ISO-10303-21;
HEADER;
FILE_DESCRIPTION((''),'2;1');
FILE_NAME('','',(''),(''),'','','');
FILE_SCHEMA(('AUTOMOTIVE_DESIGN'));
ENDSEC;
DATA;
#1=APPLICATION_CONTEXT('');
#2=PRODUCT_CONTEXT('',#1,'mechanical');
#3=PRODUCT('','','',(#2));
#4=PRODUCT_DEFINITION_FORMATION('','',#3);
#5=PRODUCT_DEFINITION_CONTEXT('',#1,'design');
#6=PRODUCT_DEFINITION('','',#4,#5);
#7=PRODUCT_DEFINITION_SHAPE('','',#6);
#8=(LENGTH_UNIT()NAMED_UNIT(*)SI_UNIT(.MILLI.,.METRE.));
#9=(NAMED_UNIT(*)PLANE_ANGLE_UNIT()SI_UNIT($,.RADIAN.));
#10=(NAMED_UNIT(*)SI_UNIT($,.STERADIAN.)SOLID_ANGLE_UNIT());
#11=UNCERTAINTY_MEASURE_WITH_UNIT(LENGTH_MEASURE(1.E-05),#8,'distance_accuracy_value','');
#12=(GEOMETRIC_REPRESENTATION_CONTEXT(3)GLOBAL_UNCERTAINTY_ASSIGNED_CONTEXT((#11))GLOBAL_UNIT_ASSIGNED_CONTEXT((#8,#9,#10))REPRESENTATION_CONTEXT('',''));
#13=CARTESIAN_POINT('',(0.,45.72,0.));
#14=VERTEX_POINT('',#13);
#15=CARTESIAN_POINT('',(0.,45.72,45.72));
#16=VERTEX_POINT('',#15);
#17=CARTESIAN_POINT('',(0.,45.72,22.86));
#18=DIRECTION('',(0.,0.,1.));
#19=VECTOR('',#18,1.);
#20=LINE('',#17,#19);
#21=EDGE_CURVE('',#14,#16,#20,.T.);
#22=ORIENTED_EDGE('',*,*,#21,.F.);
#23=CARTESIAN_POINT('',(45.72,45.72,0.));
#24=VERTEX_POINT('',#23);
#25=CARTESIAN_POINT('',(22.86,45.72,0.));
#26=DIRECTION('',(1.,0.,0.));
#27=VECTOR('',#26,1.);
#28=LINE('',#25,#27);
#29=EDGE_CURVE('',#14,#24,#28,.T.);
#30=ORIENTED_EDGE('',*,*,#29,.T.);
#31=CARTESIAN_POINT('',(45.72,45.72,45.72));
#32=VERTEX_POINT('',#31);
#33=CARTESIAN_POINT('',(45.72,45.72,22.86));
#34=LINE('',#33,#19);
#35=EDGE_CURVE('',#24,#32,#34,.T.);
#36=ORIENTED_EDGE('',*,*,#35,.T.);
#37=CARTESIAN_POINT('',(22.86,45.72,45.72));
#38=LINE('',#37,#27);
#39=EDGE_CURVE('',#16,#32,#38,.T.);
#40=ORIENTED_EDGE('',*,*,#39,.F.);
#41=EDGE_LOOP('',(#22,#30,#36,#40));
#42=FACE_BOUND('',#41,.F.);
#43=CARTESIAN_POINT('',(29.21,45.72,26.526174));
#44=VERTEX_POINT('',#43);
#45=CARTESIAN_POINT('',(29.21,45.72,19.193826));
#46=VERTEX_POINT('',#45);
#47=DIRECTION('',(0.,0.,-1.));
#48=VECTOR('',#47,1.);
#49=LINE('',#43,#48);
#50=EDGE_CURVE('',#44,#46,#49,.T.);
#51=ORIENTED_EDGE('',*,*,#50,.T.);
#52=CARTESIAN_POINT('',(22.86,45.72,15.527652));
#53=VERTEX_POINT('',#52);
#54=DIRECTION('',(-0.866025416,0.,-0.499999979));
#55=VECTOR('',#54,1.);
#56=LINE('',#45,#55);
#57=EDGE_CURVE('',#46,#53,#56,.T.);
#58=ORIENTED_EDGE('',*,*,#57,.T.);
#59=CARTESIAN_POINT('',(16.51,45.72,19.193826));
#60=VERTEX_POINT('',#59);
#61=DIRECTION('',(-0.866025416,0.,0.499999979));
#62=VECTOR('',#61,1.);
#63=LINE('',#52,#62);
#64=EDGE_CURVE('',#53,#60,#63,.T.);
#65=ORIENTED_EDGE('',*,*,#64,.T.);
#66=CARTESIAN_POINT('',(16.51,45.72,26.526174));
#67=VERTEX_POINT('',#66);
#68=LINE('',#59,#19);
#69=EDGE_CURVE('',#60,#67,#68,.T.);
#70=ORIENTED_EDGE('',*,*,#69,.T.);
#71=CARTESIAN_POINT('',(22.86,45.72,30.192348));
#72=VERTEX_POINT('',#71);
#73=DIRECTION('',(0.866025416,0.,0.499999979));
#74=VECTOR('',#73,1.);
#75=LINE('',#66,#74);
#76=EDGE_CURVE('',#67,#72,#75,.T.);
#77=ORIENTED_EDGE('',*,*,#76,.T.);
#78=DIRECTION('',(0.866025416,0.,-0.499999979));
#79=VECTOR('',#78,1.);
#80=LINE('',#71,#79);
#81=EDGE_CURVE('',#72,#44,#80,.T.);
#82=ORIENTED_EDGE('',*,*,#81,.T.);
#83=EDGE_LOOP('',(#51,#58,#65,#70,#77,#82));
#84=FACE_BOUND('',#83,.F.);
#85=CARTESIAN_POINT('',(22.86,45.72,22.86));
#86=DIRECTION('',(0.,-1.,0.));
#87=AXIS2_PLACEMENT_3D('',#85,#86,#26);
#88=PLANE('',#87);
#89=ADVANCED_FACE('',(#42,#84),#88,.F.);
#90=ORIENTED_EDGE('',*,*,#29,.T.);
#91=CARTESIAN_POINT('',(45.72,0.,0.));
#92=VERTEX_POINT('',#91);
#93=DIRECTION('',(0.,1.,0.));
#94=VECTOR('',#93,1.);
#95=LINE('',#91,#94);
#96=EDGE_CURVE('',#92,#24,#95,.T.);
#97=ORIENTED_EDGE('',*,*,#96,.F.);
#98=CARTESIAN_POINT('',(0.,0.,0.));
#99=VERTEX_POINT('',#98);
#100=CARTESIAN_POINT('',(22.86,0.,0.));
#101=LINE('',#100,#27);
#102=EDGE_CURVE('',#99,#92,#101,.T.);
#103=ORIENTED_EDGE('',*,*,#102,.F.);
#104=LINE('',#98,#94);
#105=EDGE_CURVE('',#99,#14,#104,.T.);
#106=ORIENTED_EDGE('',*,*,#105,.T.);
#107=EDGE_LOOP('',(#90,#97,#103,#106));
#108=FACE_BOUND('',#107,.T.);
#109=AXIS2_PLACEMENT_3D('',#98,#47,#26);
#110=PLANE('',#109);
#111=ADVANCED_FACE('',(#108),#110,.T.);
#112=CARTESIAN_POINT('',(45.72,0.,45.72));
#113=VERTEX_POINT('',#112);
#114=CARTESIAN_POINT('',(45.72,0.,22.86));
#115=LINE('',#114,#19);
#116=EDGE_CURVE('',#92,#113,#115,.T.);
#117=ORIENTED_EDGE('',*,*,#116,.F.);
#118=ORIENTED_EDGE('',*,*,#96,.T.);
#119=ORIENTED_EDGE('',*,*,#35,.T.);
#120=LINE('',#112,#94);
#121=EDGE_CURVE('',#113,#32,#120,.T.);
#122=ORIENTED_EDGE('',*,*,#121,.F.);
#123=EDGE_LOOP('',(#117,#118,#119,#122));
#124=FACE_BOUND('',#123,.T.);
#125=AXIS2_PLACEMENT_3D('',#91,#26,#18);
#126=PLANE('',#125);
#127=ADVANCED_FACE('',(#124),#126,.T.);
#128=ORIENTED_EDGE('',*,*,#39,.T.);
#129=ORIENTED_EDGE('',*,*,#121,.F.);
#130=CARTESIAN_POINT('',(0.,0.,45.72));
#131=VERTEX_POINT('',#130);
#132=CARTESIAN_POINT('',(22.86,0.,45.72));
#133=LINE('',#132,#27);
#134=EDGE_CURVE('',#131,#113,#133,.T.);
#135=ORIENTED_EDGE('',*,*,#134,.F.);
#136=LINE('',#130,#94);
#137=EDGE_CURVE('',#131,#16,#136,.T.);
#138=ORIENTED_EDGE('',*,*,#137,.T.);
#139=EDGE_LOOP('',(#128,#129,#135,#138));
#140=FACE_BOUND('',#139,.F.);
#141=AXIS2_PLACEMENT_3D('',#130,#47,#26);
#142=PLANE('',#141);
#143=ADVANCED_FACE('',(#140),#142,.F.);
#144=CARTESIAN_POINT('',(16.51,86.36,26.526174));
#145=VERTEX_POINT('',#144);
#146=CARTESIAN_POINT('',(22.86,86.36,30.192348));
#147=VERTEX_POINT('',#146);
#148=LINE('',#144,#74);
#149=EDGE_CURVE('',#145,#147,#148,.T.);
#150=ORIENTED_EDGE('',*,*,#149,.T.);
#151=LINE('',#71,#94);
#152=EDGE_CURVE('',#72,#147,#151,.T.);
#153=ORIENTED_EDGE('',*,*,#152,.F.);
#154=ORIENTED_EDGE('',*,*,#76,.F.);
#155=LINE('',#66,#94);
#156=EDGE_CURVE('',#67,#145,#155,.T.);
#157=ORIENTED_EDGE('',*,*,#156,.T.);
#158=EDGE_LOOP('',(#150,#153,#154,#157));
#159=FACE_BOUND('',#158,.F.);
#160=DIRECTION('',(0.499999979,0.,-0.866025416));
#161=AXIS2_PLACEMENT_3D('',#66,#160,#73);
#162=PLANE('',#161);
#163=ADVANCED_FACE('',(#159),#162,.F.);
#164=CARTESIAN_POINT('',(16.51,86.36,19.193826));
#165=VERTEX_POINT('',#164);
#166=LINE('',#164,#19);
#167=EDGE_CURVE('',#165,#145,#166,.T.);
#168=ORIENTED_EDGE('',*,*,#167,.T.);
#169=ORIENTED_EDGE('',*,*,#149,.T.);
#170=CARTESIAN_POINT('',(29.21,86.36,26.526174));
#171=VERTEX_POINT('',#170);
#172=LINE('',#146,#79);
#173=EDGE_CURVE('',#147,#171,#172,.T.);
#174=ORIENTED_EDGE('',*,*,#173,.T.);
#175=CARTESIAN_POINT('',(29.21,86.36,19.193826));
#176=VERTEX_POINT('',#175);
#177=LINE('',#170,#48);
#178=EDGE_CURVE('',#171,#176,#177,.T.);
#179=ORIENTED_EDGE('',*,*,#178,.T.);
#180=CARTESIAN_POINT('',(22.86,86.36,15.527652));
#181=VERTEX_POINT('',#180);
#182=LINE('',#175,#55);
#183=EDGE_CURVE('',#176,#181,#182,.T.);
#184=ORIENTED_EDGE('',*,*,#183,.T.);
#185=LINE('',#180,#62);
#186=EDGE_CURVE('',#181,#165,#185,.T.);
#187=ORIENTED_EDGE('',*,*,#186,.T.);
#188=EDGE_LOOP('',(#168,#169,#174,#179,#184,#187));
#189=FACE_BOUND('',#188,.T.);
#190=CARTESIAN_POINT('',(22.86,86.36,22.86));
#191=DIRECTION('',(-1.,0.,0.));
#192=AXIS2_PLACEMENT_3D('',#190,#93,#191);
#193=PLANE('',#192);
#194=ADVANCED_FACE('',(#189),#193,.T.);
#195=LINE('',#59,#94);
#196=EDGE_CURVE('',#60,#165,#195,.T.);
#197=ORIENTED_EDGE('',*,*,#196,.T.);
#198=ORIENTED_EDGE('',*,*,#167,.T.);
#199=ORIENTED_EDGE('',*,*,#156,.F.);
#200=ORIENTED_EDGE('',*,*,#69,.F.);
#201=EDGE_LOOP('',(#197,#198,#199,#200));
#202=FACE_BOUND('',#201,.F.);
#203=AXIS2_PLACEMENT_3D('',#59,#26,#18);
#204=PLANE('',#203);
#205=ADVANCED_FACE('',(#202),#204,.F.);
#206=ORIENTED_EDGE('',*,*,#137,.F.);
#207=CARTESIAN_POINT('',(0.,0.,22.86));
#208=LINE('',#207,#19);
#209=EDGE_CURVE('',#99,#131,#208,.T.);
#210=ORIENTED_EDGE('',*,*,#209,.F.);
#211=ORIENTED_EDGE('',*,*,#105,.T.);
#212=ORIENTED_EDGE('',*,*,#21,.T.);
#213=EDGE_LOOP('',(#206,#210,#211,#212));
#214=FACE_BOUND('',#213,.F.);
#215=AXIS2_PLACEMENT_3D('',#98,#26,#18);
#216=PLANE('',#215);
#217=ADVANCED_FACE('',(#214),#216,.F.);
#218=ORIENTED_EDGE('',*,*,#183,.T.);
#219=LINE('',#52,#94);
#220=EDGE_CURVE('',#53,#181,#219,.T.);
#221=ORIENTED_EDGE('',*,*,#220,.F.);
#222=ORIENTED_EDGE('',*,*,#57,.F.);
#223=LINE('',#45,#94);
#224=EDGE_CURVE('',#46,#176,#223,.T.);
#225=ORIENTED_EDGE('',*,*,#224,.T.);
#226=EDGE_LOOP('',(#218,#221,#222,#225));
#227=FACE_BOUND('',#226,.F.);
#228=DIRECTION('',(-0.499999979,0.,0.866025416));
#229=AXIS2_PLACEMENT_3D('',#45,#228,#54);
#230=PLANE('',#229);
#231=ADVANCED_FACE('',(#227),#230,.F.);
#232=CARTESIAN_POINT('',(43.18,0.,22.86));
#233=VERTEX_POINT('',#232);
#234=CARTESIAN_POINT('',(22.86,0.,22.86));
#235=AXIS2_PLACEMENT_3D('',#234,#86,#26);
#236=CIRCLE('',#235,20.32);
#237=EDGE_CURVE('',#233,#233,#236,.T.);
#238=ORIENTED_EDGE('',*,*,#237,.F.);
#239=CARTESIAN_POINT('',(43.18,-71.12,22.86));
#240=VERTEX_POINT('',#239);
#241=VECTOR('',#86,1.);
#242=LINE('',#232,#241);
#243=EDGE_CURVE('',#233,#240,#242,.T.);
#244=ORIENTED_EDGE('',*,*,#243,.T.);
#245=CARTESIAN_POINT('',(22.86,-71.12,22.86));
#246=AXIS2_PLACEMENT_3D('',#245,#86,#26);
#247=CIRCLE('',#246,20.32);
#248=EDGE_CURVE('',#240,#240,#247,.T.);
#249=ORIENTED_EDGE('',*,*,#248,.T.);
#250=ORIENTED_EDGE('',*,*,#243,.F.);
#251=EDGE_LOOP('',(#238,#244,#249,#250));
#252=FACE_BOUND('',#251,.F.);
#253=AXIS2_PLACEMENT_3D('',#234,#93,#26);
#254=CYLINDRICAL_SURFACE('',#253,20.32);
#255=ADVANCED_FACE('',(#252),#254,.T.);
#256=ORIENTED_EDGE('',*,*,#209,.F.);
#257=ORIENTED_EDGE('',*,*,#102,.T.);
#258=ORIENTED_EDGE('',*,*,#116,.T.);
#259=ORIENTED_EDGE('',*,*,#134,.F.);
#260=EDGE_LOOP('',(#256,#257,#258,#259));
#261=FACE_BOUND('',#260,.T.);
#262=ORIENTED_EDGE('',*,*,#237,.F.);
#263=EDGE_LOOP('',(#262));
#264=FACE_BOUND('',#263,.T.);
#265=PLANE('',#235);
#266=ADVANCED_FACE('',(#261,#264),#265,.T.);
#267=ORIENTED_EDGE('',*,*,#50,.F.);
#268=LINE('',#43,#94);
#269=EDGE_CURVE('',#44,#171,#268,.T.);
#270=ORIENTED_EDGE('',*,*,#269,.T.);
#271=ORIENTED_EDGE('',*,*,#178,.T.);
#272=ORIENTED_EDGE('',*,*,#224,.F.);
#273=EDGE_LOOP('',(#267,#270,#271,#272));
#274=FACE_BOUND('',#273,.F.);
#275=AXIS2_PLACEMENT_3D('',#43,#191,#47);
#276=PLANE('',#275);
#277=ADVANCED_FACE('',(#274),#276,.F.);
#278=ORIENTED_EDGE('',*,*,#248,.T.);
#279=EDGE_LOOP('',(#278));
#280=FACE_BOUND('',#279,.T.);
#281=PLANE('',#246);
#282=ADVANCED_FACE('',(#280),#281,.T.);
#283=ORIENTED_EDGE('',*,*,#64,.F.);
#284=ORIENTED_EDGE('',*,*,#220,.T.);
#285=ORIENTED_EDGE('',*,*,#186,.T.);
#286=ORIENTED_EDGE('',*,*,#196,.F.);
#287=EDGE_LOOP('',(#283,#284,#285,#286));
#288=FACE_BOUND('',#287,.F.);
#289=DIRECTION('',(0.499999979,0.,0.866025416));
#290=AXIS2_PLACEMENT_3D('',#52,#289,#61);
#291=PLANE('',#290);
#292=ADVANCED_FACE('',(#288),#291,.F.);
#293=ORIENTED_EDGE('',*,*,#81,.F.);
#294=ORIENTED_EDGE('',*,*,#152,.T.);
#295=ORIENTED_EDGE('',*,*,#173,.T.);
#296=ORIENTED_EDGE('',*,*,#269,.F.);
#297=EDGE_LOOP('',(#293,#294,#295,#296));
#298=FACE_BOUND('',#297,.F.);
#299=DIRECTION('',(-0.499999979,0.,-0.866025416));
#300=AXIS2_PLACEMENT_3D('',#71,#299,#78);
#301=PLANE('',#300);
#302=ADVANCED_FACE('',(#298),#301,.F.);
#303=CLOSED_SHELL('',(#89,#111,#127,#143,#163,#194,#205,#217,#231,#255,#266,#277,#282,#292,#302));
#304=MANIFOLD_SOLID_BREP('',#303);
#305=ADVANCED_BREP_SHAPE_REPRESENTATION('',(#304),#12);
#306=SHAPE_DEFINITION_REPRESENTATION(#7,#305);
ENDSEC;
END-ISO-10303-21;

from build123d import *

# Parameters (mm, degrees)
F0_W     = 45.72
F0_H     = 45.72
F0_R     = 20.32
F1_DEPTH = 45.72
F2_DEPTH = 71.12
F4_DEPTH = 40.64


with BuildPart() as f1:
    # F0 (on Front) → F1 (new body)
    with BuildSketch(Plane.XZ):
        with Locations((22.86, 22.86)):
            Rectangle(F0_W, F0_H)
        with Locations((22.86, 22.86)):
            Circle(F0_R, mode=Mode.SUBTRACT)
        with Locations((22.86, 22.86)):
            Circle(F0_R)
    extrude(amount=-F1_DEPTH)

    # F0 (on Front) → F2 (join)
    with BuildSketch(Plane.XZ):
        with Locations((22.86, 22.86)):
            Circle(F0_R)
    extrude(amount=F2_DEPTH)

    # F3 (on face) → F4 (join)
    with BuildSketch(Plane(origin=(0, 45.72, 0), x_dir=(-1, 0, 0), z_dir=(0, 1, 0))):
        Polygon((-16.51, 19.193826), (-16.51, 26.526174), (-22.86, 30.192348), (-29.21, 26.526174), (-29.21, 19.193826), (-22.86, 15.527652), align=None)
    extrude(amount=F4_DEPTH)


solid = f1.part
